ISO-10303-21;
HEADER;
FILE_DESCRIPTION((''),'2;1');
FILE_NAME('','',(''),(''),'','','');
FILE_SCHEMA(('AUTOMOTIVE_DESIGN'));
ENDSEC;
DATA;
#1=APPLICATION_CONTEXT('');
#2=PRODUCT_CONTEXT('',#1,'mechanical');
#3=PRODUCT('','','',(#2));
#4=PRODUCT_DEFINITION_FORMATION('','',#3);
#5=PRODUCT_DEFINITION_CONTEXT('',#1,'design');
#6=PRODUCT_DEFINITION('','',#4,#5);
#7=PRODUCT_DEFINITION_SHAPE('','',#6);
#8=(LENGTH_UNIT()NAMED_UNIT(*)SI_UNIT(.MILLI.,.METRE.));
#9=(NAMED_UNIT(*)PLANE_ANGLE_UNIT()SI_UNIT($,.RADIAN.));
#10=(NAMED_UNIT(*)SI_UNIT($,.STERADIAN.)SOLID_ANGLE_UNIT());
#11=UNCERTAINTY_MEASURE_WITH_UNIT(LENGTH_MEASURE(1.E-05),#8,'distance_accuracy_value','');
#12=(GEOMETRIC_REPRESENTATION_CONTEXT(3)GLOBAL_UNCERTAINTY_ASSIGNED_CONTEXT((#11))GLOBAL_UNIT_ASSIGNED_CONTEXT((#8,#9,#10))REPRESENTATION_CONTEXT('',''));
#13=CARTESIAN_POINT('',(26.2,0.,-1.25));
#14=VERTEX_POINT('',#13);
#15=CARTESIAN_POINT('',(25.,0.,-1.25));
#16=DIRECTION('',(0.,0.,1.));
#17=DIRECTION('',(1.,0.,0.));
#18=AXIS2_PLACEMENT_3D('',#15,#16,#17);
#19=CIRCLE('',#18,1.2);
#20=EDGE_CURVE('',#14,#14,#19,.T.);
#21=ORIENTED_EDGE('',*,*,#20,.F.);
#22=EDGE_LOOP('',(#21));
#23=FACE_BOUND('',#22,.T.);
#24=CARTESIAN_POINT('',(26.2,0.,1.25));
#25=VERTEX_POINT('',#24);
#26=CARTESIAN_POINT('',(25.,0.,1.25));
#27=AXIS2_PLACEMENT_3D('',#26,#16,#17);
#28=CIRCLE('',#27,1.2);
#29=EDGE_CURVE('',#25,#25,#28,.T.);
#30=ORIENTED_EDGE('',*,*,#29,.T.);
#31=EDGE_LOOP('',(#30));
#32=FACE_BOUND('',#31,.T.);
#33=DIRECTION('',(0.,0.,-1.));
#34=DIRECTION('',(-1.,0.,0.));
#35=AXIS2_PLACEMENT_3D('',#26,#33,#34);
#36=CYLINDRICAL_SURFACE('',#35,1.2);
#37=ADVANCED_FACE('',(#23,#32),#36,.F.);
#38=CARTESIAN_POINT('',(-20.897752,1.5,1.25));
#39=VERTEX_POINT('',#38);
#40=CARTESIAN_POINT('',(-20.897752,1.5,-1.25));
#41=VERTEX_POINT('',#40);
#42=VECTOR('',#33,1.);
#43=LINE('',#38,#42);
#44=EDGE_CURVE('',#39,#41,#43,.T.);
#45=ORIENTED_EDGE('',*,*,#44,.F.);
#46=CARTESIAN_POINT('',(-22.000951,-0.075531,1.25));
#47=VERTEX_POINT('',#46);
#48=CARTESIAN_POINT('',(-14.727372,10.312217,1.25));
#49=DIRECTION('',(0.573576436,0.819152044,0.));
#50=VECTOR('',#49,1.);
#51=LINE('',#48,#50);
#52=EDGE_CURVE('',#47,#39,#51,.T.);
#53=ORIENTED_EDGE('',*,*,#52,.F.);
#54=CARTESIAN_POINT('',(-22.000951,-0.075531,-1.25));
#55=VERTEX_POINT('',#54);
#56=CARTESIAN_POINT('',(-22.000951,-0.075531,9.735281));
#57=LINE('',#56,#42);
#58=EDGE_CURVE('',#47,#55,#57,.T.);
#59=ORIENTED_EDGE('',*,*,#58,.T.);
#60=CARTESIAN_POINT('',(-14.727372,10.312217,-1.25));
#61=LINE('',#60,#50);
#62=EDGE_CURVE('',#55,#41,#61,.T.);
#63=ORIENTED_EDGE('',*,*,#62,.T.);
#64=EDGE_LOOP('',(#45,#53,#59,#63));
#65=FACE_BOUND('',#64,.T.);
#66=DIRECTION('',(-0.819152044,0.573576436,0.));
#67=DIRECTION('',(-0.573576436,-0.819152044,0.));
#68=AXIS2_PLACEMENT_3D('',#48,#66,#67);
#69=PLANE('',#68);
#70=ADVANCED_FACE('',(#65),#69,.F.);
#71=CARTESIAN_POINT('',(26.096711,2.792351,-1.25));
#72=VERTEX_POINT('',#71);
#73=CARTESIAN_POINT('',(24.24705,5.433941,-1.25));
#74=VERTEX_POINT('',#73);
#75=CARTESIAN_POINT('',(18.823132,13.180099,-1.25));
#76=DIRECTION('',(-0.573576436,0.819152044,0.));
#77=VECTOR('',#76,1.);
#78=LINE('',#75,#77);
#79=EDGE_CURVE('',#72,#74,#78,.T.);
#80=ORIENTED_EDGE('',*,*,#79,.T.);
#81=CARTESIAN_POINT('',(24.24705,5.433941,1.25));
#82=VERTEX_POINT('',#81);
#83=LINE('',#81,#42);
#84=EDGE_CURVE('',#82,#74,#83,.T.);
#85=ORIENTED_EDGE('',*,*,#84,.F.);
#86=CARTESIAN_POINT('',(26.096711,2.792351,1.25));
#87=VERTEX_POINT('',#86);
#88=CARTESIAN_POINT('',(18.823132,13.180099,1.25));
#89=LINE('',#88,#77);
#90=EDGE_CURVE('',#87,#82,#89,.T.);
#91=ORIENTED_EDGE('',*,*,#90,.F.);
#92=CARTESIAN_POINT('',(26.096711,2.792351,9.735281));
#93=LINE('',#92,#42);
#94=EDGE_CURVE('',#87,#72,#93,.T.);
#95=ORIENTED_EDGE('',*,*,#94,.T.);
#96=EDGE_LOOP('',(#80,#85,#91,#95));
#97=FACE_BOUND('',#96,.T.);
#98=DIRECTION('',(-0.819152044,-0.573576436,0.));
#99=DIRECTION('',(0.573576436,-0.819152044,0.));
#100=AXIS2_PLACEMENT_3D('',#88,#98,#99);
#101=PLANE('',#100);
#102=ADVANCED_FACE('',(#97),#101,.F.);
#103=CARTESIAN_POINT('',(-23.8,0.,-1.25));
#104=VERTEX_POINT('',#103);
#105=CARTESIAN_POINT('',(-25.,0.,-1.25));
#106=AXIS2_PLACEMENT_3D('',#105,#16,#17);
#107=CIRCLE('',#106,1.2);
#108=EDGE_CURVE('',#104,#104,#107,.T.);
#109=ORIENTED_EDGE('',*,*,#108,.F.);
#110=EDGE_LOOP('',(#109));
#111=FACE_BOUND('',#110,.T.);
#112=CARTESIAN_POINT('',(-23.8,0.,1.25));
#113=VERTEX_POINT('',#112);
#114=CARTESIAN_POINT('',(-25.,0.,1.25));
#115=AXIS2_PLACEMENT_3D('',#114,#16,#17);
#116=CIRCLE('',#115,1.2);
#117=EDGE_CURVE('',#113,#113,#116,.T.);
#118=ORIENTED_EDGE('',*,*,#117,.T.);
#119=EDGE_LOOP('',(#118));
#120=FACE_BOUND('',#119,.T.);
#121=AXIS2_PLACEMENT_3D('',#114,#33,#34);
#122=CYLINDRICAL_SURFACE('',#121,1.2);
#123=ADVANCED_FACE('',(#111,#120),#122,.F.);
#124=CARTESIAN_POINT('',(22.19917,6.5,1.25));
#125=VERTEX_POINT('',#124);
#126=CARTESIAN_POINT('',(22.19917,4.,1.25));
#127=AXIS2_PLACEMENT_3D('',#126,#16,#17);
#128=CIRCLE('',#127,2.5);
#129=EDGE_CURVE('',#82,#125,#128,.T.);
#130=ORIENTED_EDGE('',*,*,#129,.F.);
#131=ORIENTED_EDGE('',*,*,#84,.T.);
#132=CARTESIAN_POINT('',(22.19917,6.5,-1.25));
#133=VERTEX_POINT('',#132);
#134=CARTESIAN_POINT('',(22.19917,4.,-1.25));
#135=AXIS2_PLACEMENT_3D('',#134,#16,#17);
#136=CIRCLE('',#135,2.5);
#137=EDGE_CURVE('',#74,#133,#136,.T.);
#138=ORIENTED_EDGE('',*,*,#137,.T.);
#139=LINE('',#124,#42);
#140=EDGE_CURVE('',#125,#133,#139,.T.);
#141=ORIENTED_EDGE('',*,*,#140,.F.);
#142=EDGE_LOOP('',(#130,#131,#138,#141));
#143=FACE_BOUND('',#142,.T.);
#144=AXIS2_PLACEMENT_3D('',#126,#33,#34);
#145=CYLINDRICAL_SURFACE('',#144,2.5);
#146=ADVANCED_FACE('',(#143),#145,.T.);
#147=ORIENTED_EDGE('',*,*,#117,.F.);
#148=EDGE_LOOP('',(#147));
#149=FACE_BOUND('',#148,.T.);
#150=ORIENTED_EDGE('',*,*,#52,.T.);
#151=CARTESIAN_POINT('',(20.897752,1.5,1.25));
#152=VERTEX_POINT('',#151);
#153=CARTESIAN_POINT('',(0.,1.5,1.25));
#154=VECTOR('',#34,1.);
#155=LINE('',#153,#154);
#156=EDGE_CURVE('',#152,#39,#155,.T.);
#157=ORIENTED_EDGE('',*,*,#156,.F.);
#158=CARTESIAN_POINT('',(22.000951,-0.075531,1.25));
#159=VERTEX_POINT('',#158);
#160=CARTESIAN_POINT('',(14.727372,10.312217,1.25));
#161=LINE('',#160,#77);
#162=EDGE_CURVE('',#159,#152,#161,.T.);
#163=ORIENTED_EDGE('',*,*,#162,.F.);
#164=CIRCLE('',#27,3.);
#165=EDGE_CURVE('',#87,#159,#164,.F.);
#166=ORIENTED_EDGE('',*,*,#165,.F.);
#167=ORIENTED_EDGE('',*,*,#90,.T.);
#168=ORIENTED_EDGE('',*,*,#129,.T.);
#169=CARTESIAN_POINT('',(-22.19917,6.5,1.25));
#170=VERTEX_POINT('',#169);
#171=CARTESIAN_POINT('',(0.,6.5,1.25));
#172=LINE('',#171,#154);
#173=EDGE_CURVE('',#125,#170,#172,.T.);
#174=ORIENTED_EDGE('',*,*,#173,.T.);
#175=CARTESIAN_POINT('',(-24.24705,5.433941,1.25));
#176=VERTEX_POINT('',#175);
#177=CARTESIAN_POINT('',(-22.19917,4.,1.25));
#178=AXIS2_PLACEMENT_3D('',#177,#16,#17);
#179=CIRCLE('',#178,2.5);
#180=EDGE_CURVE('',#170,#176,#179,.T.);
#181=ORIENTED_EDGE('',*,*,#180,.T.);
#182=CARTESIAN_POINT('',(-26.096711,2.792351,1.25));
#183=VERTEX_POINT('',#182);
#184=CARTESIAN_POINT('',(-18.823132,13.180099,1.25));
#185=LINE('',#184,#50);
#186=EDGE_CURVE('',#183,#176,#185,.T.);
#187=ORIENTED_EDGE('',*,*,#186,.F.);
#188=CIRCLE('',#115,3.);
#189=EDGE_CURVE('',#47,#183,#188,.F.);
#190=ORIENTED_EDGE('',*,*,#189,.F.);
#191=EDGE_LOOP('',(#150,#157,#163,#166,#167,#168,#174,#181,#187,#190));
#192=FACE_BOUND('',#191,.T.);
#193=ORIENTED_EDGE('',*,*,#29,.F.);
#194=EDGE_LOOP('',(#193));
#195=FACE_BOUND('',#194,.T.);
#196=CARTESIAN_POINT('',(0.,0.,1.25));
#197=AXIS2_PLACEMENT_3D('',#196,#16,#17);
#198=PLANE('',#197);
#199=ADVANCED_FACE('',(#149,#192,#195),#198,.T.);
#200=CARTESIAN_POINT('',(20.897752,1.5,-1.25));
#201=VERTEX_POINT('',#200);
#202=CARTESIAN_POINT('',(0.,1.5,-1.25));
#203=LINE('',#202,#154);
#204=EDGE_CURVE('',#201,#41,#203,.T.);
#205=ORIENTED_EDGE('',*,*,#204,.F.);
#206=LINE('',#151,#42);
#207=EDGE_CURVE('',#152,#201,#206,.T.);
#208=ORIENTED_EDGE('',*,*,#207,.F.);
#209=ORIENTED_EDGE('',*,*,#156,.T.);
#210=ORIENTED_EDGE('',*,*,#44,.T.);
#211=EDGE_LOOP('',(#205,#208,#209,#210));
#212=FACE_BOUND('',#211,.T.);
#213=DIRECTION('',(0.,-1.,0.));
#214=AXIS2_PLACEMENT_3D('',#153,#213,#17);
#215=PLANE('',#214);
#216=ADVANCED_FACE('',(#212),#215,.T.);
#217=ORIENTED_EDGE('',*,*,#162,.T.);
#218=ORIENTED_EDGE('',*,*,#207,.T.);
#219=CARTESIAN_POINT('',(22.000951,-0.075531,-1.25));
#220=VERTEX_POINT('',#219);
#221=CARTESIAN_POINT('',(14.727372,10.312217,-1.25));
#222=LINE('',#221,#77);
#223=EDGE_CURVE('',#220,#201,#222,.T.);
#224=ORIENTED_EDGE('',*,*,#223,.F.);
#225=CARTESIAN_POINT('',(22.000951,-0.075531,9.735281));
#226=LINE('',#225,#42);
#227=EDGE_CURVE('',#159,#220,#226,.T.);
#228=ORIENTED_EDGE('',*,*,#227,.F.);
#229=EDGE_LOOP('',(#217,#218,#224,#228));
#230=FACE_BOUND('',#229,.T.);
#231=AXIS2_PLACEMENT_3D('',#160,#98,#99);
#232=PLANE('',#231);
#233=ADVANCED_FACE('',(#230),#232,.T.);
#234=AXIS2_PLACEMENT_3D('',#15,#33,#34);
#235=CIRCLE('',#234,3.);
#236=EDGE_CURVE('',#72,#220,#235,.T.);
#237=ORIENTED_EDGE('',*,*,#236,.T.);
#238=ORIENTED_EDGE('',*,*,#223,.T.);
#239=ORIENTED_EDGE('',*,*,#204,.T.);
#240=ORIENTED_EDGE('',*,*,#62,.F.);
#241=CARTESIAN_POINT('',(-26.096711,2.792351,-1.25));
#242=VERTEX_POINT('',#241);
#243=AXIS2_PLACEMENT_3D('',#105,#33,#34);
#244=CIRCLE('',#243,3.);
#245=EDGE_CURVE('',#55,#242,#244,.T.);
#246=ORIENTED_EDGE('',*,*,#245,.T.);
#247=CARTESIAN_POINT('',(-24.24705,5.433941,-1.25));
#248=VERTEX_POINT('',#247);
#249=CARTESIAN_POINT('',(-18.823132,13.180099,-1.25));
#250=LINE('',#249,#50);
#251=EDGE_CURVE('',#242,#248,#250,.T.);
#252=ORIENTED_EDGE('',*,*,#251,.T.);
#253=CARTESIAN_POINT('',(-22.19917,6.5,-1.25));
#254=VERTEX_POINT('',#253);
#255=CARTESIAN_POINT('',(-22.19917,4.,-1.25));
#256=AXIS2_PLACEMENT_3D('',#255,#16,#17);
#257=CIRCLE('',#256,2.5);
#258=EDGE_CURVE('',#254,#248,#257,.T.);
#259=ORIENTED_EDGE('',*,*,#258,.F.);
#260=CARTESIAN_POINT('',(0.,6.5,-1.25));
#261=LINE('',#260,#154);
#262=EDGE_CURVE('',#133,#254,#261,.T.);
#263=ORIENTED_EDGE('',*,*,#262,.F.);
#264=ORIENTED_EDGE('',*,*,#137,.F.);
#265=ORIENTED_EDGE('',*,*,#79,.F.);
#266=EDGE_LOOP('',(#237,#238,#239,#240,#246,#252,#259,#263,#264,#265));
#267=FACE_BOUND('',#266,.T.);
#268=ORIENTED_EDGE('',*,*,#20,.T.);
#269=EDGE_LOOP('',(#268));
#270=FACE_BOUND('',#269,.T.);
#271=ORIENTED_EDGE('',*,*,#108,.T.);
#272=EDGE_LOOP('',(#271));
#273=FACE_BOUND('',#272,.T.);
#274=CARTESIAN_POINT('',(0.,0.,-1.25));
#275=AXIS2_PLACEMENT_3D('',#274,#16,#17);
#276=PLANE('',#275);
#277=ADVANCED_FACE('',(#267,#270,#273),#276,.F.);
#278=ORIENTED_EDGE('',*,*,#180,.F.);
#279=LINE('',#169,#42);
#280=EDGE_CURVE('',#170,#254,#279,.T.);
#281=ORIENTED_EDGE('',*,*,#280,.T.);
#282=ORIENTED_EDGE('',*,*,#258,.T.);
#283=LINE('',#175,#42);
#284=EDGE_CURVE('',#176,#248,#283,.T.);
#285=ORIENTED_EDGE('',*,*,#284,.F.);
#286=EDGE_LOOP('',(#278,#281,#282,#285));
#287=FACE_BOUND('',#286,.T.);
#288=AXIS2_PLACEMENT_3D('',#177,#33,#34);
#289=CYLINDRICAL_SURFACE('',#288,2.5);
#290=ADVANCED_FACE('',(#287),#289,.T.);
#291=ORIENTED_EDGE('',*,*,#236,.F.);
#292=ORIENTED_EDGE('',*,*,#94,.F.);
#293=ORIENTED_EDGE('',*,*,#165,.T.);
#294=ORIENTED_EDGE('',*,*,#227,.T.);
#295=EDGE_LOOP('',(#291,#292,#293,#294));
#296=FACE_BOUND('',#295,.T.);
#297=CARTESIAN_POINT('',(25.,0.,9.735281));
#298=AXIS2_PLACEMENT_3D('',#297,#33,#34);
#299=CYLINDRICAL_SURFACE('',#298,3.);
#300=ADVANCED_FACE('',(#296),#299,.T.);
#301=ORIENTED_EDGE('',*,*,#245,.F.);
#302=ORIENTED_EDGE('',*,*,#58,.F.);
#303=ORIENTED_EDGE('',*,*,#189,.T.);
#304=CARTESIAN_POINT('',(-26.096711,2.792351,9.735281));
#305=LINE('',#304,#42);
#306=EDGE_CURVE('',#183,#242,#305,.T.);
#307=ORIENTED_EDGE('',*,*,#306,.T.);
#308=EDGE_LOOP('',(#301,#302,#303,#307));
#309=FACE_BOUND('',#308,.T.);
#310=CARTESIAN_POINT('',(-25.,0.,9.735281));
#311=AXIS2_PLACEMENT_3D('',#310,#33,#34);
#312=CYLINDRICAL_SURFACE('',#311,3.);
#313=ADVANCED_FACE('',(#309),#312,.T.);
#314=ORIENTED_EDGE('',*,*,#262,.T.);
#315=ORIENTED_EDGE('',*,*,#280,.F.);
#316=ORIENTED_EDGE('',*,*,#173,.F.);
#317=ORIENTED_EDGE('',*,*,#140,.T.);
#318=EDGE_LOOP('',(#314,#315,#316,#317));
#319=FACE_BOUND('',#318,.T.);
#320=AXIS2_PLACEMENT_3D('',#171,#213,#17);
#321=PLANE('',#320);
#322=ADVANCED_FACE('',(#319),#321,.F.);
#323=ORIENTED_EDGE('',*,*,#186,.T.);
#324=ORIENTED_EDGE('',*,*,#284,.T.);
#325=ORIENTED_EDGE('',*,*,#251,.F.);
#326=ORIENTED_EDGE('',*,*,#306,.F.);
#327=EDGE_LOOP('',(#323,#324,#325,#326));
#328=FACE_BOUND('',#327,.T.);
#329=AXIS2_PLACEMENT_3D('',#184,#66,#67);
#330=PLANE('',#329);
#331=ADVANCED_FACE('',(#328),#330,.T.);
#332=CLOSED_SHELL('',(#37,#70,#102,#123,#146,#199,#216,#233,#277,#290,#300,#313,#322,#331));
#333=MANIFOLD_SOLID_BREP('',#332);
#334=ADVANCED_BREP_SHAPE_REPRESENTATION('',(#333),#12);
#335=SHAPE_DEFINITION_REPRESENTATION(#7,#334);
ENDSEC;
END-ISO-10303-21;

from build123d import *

# Parameters (mm, degrees)
SKETCH1_R           = 1.2
BOSS_EXTRUDE1_DEPTH = 1.25
SKETCH2_R           = 3
SKETCH2_R_2         = 1.2
BOSS_EXTRUDE2_DEPTH = 2.5


with BuildPart() as part:
    # Sketch1 → Boss-Extrude1 (new body, symmetric)
    with BuildSketch(Plane.XY):
        with BuildLine():
            Line((-20.897752221, 1.5), (20.897752221, 1.5))
            Line((20.897752221, 1.5), (22.952119889, -1.433941091))
            ThreePointArc((22.952119889, -1.433941091), (26.433941091, -2.047880111), (27.047880111, 1.433941091))
            Line((27.047880111, 1.433941091), (24.247049958, 5.433941091))
            ThreePointArc((24.247049958, 5.433941091), (23.35354138, 6.217527083), (22.199169847, 6.5))
            Line((22.199169847, 6.5), (-22.199169847, 6.5))
            ThreePointArc((-22.199169847, 6.5), (-23.35354138, 6.217527083), (-24.247049958, 5.433941091))
            Line((-24.247049958, 5.433941091), (-27.047880111, 1.433941091))
            ThreePointArc((-27.047880111, 1.433941091), (-26.433941091, -2.047880111), (-22.952119889, -1.433941091))
            Line((-22.952119889, -1.433941091), (-20.897752221, 1.5))
        make_face()
        with Locations((-25, 0)):
            Circle(SKETCH1_R, mode=Mode.SUBTRACT)
        with Locations((25, 0)):
            Circle(SKETCH1_R, mode=Mode.SUBTRACT)
    extrude(amount=BOSS_EXTRUDE1_DEPTH, both=True)

    # Sketch2 → Boss-Extrude2 (add)
    with BuildSketch(Plane(origin=(0, 0, -1.25), x_dir=(-1, 0, 0), z_dir=(0, 0, -1))):
        with Locations((25, 0)):
            Circle(SKETCH2_R)
        with Locations((25, 0)):
            Circle(SKETCH2_R_2, mode=Mode.SUBTRACT)
        with Locations((-25, 0)):
            Circle(SKETCH2_R)
        with Locations((-25, 0)):
            Circle(SKETCH2_R_2, mode=Mode.SUBTRACT)
    extrude(amount=-BOSS_EXTRUDE2_DEPTH)


solid = part.part
